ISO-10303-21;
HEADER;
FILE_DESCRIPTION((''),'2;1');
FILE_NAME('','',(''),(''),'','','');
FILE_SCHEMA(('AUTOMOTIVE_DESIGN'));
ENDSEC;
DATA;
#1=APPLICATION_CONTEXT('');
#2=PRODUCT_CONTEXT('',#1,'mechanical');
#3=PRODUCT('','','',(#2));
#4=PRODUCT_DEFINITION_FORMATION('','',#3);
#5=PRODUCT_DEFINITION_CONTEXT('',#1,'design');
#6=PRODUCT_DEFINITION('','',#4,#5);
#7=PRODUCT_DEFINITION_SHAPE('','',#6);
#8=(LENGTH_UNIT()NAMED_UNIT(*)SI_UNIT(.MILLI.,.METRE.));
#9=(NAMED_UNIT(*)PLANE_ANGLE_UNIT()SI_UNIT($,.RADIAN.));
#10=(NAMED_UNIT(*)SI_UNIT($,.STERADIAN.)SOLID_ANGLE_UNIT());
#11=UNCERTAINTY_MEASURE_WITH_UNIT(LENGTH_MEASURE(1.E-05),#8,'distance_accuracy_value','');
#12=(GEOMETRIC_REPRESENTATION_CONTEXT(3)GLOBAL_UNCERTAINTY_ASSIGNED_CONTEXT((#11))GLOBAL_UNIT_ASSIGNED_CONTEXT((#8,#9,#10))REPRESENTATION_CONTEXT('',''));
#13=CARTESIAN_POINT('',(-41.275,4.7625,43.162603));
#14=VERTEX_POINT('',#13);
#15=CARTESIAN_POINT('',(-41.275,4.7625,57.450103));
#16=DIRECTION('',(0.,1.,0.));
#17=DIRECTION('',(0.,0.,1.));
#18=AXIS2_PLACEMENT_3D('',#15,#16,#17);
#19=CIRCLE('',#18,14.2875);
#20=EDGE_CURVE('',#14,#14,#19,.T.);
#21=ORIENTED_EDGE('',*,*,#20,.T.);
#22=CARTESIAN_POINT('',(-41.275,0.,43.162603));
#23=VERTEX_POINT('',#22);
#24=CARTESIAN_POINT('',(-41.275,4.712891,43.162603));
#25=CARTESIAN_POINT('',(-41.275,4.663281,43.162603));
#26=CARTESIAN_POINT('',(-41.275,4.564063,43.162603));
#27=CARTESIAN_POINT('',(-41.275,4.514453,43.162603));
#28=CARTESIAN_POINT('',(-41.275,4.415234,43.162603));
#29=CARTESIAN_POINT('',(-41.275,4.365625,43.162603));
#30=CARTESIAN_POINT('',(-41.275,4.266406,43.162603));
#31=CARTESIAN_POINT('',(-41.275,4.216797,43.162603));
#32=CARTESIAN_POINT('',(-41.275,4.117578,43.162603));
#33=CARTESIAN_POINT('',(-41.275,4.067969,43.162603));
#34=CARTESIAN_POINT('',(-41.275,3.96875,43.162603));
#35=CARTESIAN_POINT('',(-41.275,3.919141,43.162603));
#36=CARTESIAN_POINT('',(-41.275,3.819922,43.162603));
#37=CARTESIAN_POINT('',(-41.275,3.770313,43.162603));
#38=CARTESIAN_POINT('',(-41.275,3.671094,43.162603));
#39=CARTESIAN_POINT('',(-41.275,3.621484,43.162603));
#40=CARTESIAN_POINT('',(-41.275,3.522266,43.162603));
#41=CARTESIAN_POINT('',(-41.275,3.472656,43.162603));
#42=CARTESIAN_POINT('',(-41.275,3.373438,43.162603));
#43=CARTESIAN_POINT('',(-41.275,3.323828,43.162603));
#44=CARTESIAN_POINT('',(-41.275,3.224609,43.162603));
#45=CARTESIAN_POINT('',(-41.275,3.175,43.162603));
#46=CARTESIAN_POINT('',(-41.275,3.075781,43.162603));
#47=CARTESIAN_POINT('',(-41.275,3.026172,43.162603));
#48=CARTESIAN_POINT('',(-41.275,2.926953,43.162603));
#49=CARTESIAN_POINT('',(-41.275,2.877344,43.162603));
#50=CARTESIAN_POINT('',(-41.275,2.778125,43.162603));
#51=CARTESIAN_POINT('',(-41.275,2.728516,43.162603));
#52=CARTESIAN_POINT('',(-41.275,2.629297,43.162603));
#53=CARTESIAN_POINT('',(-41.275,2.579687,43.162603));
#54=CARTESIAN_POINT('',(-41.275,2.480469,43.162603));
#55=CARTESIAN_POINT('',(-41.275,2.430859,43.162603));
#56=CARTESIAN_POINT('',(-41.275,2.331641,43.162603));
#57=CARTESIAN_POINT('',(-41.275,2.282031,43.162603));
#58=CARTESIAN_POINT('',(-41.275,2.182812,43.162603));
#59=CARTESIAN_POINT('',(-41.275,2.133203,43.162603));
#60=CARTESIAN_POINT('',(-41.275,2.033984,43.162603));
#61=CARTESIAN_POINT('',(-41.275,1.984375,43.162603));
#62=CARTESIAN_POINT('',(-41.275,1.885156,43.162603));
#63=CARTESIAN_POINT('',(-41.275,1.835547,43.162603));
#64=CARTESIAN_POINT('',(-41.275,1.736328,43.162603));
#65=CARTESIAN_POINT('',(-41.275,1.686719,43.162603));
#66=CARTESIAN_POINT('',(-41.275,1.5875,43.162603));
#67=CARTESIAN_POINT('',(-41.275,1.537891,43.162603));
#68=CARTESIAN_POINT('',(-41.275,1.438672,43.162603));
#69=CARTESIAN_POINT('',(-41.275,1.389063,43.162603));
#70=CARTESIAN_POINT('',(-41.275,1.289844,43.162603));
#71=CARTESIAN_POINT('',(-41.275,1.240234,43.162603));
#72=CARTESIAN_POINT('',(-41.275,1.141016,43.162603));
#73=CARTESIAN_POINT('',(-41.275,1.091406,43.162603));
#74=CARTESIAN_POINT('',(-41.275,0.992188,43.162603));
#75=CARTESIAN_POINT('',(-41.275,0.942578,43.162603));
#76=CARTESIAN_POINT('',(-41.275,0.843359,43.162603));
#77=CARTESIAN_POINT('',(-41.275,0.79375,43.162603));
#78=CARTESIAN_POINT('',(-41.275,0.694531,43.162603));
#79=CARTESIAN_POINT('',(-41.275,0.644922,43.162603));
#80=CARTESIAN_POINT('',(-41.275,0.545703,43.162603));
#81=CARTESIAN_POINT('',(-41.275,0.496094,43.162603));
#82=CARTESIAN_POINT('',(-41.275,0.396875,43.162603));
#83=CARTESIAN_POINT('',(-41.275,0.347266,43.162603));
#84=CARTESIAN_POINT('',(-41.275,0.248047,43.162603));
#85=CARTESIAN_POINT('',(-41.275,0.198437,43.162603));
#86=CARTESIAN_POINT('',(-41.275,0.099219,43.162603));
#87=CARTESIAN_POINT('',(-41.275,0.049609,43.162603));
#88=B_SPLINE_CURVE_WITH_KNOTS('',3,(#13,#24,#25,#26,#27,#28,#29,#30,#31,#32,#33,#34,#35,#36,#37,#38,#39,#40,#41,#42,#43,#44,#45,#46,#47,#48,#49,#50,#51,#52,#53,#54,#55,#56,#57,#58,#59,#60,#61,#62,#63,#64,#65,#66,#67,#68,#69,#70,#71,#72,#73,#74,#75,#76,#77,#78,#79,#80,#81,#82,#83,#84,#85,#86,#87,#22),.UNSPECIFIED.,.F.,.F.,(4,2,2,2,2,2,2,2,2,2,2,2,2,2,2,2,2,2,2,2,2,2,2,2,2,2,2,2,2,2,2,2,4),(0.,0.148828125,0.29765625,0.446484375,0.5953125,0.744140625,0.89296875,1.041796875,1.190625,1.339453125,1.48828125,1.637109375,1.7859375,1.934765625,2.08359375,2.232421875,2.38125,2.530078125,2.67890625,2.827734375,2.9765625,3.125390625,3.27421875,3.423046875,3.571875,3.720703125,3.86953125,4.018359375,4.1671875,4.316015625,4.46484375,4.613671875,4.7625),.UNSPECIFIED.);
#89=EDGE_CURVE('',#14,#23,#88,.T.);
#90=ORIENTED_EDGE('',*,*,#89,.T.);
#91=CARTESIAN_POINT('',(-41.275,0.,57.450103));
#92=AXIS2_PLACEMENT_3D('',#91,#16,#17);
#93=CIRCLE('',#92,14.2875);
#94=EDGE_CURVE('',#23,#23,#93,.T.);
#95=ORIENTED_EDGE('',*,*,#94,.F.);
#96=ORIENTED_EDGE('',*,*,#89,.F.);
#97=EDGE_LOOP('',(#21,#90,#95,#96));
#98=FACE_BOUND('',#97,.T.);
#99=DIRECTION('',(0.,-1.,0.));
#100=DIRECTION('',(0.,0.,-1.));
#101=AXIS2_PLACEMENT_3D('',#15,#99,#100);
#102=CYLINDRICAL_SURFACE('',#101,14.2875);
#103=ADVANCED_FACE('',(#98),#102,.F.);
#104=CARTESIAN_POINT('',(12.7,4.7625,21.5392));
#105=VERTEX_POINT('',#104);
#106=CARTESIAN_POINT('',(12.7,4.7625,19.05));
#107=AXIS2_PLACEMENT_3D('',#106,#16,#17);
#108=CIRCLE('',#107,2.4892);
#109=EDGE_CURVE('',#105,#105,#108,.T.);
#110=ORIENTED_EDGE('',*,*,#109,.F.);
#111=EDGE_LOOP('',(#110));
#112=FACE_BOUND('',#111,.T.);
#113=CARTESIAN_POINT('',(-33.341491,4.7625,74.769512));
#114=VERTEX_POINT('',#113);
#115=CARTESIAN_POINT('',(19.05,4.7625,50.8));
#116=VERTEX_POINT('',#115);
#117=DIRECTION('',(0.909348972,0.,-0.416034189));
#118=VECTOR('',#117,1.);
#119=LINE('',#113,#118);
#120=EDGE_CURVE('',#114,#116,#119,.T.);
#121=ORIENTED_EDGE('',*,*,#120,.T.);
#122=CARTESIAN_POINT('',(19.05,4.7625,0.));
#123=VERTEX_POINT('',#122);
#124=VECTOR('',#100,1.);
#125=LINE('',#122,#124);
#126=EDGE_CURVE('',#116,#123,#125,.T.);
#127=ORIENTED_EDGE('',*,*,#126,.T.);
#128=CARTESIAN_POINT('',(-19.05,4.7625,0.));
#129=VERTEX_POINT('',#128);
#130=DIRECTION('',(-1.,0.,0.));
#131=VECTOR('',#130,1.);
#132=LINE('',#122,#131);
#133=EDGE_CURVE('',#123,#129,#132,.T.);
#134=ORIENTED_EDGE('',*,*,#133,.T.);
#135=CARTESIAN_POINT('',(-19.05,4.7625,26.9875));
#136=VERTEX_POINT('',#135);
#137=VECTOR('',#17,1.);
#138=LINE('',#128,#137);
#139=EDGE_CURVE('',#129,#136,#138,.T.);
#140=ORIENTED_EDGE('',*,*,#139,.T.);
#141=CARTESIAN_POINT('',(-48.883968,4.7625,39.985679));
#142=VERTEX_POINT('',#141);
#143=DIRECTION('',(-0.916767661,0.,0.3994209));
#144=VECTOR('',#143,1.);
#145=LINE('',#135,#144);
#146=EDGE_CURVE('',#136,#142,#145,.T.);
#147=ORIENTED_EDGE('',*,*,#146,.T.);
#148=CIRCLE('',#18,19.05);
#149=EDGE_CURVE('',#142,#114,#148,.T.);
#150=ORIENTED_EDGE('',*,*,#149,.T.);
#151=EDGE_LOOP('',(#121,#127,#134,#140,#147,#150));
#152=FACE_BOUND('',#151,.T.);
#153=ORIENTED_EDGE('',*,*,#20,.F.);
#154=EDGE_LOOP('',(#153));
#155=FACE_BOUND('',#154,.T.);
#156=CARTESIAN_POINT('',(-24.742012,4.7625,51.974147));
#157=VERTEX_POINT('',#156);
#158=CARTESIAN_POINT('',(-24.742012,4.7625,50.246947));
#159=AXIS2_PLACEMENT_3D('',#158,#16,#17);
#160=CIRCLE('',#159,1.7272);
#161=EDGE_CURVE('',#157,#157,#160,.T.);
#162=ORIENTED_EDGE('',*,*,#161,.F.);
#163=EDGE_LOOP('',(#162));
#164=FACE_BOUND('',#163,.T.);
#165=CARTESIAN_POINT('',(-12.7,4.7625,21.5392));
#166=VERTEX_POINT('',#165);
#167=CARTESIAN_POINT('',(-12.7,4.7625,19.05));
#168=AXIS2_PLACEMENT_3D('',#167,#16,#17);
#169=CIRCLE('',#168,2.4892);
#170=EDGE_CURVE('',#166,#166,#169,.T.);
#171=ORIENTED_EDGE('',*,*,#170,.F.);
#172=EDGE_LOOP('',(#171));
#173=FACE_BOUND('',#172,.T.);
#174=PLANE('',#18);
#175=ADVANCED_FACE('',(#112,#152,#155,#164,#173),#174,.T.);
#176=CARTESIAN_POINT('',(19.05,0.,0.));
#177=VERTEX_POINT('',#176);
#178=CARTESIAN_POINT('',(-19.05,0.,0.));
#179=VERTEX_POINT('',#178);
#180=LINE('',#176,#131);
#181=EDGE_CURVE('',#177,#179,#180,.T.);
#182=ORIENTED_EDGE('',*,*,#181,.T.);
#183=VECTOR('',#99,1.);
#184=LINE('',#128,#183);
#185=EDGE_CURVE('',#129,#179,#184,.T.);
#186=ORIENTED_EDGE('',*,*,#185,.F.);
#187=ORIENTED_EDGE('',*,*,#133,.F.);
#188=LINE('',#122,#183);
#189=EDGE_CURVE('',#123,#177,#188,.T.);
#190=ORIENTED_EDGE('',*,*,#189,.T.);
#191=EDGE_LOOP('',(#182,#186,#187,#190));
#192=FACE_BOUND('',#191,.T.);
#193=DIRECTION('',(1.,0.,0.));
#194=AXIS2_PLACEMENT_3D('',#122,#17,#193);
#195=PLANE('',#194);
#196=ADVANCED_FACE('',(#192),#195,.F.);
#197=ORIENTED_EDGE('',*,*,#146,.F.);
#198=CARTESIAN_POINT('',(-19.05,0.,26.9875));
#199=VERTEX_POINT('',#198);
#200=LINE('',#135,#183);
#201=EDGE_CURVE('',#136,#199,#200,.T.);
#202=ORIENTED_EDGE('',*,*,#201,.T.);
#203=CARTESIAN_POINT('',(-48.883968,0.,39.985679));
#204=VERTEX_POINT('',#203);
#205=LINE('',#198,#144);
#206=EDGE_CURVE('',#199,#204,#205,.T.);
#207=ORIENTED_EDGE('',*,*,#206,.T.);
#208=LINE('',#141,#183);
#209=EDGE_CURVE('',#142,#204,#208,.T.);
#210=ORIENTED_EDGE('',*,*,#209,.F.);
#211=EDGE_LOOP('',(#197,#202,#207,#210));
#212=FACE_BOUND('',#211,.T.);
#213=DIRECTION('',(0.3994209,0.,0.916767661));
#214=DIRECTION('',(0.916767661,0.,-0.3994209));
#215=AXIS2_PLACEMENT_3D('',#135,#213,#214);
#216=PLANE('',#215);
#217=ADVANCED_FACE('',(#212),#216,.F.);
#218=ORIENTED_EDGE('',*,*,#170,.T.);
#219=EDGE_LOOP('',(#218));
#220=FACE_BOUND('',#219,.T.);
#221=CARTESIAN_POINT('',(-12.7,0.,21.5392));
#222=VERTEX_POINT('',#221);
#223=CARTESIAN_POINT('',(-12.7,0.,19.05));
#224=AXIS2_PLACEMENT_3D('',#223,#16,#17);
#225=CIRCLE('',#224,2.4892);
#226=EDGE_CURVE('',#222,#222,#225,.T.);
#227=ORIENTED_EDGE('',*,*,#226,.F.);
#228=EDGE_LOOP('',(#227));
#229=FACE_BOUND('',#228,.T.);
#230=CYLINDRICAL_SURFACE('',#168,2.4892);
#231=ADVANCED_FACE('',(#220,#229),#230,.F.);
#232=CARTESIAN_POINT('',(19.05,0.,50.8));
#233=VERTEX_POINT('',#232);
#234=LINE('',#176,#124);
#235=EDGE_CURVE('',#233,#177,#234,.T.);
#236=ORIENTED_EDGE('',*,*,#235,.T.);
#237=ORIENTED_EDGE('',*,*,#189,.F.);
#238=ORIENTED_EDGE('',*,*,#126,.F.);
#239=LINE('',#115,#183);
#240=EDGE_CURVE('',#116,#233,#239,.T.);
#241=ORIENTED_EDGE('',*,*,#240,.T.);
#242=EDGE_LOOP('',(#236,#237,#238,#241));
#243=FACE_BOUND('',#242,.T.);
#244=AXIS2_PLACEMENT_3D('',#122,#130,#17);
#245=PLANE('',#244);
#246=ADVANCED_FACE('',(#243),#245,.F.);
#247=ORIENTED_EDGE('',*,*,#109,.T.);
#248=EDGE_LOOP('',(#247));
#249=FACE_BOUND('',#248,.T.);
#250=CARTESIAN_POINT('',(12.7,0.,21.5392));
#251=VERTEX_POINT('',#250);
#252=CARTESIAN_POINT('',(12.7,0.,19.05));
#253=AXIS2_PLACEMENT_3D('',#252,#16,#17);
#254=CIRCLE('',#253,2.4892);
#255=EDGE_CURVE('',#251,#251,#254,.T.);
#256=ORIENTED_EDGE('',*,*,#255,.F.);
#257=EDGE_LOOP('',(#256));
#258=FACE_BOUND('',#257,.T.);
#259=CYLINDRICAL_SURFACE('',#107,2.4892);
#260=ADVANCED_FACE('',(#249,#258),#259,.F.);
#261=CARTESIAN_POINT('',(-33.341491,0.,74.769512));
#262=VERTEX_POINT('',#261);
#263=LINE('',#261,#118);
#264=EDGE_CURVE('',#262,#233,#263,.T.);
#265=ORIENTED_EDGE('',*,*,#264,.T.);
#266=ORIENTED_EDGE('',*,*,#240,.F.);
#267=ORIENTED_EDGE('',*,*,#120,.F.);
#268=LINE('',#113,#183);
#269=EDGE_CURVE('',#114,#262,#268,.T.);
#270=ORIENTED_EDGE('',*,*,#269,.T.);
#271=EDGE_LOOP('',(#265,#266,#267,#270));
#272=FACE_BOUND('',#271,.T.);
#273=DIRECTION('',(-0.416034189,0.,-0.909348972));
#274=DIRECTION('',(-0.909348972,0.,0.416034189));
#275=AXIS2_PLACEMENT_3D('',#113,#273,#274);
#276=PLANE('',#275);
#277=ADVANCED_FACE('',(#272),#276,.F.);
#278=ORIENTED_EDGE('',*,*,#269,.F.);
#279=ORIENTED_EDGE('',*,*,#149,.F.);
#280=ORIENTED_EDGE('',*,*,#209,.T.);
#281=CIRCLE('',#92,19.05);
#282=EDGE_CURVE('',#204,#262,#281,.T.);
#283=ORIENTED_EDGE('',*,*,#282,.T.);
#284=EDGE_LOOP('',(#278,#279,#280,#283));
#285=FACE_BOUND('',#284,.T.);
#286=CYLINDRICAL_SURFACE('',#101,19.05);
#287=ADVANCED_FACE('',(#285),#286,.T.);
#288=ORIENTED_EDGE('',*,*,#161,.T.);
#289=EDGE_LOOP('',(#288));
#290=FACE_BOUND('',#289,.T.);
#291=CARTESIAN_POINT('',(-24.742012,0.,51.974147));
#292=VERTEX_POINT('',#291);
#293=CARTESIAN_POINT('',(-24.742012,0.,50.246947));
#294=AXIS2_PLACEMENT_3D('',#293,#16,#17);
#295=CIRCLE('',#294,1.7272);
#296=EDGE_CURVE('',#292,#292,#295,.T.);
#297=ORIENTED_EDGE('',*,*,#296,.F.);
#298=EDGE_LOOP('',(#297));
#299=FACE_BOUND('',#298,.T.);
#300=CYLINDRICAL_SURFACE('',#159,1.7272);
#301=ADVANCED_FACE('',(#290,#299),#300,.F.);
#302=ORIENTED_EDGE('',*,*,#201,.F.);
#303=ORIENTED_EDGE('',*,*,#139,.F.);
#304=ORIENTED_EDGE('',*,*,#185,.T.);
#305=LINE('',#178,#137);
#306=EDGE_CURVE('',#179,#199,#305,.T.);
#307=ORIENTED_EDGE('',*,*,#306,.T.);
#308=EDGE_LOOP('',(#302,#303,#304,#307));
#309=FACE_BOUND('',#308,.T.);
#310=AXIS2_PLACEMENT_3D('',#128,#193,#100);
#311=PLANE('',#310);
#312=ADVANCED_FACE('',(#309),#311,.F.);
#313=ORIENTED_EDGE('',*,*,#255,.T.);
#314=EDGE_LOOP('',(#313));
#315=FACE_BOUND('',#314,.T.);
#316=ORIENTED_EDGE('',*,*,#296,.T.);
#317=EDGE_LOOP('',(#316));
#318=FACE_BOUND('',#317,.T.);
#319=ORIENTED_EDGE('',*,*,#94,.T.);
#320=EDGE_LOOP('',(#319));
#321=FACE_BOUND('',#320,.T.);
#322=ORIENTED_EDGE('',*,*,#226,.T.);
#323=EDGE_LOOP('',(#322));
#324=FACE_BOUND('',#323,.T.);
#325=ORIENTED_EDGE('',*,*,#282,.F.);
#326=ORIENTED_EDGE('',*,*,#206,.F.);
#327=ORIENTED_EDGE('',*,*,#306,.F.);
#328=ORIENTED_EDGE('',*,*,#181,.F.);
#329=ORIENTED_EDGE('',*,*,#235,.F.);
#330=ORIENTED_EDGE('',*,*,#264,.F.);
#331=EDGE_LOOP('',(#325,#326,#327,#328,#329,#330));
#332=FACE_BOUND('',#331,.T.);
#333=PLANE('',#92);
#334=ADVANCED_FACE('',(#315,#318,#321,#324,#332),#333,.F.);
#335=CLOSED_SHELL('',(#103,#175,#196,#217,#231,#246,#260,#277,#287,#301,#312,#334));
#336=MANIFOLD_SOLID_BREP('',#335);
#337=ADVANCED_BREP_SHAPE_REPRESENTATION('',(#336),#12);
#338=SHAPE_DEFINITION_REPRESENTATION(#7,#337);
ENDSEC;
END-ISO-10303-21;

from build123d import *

# Parameters (mm, degrees)
SKETCH2_R                 = 14.2875
BOSS_EXTRUDE1_DEPTH       = 4.7625
TAP_DRILL_FOR_8_32_TAP1_D = 3.4544
F_10_CLEARANCE_HOLE1_D    = 4.9784


with BuildPart() as part:
    # Sketch2 → Boss-Extrude1 (new body)
    with BuildSketch(Plane(origin=(0, 0, 0), x_dir=(1, 0, 0), z_dir=(0, 1, 0))):
        with BuildLine():
            Line((19.05, 0), (-19.05, 0))
            Line((-19.05, 0), (-19.05, -26.9875))
            Line((-19.05, -26.9875), (-48.883968147, -39.985679272))
            ThreePointArc((-48.883968147, -39.985679272), (-58.667673568, -65.221680031), (-33.341491014, -74.769512421))
            Line((-33.341491014, -74.769512421), (19.05, -50.8))
            Line((19.05, -50.8), (19.05, 0))
        make_face()
        with Locations(Location((-41.275, -57.450103217, 0), (0, 0, 90))):
            Circle(SKETCH2_R, mode=Mode.SUBTRACT)
    extrude(amount=BOSS_EXTRUDE1_DEPTH)

    # Tap Drill for #8-32 Tap1 (through all)
    with Locations(Plane(origin=(0, 4.7625, 0), x_dir=(1, 0, 0), z_dir=(0, 1, 0))):
        with Locations((-24.742011998, -50.246946705)):
            Hole(TAP_DRILL_FOR_8_32_TAP1_D / 2)

    # #10 Clearance Hole1 (through all)
    with Locations(Plane(origin=(0, 4.7625, 0), x_dir=(1, 0, 0), z_dir=(0, 1, 0))):
        with Locations((-12.7, -19.05), (12.7, -19.05)):
            Hole(F_10_CLEARANCE_HOLE1_D / 2)


solid = part.part
